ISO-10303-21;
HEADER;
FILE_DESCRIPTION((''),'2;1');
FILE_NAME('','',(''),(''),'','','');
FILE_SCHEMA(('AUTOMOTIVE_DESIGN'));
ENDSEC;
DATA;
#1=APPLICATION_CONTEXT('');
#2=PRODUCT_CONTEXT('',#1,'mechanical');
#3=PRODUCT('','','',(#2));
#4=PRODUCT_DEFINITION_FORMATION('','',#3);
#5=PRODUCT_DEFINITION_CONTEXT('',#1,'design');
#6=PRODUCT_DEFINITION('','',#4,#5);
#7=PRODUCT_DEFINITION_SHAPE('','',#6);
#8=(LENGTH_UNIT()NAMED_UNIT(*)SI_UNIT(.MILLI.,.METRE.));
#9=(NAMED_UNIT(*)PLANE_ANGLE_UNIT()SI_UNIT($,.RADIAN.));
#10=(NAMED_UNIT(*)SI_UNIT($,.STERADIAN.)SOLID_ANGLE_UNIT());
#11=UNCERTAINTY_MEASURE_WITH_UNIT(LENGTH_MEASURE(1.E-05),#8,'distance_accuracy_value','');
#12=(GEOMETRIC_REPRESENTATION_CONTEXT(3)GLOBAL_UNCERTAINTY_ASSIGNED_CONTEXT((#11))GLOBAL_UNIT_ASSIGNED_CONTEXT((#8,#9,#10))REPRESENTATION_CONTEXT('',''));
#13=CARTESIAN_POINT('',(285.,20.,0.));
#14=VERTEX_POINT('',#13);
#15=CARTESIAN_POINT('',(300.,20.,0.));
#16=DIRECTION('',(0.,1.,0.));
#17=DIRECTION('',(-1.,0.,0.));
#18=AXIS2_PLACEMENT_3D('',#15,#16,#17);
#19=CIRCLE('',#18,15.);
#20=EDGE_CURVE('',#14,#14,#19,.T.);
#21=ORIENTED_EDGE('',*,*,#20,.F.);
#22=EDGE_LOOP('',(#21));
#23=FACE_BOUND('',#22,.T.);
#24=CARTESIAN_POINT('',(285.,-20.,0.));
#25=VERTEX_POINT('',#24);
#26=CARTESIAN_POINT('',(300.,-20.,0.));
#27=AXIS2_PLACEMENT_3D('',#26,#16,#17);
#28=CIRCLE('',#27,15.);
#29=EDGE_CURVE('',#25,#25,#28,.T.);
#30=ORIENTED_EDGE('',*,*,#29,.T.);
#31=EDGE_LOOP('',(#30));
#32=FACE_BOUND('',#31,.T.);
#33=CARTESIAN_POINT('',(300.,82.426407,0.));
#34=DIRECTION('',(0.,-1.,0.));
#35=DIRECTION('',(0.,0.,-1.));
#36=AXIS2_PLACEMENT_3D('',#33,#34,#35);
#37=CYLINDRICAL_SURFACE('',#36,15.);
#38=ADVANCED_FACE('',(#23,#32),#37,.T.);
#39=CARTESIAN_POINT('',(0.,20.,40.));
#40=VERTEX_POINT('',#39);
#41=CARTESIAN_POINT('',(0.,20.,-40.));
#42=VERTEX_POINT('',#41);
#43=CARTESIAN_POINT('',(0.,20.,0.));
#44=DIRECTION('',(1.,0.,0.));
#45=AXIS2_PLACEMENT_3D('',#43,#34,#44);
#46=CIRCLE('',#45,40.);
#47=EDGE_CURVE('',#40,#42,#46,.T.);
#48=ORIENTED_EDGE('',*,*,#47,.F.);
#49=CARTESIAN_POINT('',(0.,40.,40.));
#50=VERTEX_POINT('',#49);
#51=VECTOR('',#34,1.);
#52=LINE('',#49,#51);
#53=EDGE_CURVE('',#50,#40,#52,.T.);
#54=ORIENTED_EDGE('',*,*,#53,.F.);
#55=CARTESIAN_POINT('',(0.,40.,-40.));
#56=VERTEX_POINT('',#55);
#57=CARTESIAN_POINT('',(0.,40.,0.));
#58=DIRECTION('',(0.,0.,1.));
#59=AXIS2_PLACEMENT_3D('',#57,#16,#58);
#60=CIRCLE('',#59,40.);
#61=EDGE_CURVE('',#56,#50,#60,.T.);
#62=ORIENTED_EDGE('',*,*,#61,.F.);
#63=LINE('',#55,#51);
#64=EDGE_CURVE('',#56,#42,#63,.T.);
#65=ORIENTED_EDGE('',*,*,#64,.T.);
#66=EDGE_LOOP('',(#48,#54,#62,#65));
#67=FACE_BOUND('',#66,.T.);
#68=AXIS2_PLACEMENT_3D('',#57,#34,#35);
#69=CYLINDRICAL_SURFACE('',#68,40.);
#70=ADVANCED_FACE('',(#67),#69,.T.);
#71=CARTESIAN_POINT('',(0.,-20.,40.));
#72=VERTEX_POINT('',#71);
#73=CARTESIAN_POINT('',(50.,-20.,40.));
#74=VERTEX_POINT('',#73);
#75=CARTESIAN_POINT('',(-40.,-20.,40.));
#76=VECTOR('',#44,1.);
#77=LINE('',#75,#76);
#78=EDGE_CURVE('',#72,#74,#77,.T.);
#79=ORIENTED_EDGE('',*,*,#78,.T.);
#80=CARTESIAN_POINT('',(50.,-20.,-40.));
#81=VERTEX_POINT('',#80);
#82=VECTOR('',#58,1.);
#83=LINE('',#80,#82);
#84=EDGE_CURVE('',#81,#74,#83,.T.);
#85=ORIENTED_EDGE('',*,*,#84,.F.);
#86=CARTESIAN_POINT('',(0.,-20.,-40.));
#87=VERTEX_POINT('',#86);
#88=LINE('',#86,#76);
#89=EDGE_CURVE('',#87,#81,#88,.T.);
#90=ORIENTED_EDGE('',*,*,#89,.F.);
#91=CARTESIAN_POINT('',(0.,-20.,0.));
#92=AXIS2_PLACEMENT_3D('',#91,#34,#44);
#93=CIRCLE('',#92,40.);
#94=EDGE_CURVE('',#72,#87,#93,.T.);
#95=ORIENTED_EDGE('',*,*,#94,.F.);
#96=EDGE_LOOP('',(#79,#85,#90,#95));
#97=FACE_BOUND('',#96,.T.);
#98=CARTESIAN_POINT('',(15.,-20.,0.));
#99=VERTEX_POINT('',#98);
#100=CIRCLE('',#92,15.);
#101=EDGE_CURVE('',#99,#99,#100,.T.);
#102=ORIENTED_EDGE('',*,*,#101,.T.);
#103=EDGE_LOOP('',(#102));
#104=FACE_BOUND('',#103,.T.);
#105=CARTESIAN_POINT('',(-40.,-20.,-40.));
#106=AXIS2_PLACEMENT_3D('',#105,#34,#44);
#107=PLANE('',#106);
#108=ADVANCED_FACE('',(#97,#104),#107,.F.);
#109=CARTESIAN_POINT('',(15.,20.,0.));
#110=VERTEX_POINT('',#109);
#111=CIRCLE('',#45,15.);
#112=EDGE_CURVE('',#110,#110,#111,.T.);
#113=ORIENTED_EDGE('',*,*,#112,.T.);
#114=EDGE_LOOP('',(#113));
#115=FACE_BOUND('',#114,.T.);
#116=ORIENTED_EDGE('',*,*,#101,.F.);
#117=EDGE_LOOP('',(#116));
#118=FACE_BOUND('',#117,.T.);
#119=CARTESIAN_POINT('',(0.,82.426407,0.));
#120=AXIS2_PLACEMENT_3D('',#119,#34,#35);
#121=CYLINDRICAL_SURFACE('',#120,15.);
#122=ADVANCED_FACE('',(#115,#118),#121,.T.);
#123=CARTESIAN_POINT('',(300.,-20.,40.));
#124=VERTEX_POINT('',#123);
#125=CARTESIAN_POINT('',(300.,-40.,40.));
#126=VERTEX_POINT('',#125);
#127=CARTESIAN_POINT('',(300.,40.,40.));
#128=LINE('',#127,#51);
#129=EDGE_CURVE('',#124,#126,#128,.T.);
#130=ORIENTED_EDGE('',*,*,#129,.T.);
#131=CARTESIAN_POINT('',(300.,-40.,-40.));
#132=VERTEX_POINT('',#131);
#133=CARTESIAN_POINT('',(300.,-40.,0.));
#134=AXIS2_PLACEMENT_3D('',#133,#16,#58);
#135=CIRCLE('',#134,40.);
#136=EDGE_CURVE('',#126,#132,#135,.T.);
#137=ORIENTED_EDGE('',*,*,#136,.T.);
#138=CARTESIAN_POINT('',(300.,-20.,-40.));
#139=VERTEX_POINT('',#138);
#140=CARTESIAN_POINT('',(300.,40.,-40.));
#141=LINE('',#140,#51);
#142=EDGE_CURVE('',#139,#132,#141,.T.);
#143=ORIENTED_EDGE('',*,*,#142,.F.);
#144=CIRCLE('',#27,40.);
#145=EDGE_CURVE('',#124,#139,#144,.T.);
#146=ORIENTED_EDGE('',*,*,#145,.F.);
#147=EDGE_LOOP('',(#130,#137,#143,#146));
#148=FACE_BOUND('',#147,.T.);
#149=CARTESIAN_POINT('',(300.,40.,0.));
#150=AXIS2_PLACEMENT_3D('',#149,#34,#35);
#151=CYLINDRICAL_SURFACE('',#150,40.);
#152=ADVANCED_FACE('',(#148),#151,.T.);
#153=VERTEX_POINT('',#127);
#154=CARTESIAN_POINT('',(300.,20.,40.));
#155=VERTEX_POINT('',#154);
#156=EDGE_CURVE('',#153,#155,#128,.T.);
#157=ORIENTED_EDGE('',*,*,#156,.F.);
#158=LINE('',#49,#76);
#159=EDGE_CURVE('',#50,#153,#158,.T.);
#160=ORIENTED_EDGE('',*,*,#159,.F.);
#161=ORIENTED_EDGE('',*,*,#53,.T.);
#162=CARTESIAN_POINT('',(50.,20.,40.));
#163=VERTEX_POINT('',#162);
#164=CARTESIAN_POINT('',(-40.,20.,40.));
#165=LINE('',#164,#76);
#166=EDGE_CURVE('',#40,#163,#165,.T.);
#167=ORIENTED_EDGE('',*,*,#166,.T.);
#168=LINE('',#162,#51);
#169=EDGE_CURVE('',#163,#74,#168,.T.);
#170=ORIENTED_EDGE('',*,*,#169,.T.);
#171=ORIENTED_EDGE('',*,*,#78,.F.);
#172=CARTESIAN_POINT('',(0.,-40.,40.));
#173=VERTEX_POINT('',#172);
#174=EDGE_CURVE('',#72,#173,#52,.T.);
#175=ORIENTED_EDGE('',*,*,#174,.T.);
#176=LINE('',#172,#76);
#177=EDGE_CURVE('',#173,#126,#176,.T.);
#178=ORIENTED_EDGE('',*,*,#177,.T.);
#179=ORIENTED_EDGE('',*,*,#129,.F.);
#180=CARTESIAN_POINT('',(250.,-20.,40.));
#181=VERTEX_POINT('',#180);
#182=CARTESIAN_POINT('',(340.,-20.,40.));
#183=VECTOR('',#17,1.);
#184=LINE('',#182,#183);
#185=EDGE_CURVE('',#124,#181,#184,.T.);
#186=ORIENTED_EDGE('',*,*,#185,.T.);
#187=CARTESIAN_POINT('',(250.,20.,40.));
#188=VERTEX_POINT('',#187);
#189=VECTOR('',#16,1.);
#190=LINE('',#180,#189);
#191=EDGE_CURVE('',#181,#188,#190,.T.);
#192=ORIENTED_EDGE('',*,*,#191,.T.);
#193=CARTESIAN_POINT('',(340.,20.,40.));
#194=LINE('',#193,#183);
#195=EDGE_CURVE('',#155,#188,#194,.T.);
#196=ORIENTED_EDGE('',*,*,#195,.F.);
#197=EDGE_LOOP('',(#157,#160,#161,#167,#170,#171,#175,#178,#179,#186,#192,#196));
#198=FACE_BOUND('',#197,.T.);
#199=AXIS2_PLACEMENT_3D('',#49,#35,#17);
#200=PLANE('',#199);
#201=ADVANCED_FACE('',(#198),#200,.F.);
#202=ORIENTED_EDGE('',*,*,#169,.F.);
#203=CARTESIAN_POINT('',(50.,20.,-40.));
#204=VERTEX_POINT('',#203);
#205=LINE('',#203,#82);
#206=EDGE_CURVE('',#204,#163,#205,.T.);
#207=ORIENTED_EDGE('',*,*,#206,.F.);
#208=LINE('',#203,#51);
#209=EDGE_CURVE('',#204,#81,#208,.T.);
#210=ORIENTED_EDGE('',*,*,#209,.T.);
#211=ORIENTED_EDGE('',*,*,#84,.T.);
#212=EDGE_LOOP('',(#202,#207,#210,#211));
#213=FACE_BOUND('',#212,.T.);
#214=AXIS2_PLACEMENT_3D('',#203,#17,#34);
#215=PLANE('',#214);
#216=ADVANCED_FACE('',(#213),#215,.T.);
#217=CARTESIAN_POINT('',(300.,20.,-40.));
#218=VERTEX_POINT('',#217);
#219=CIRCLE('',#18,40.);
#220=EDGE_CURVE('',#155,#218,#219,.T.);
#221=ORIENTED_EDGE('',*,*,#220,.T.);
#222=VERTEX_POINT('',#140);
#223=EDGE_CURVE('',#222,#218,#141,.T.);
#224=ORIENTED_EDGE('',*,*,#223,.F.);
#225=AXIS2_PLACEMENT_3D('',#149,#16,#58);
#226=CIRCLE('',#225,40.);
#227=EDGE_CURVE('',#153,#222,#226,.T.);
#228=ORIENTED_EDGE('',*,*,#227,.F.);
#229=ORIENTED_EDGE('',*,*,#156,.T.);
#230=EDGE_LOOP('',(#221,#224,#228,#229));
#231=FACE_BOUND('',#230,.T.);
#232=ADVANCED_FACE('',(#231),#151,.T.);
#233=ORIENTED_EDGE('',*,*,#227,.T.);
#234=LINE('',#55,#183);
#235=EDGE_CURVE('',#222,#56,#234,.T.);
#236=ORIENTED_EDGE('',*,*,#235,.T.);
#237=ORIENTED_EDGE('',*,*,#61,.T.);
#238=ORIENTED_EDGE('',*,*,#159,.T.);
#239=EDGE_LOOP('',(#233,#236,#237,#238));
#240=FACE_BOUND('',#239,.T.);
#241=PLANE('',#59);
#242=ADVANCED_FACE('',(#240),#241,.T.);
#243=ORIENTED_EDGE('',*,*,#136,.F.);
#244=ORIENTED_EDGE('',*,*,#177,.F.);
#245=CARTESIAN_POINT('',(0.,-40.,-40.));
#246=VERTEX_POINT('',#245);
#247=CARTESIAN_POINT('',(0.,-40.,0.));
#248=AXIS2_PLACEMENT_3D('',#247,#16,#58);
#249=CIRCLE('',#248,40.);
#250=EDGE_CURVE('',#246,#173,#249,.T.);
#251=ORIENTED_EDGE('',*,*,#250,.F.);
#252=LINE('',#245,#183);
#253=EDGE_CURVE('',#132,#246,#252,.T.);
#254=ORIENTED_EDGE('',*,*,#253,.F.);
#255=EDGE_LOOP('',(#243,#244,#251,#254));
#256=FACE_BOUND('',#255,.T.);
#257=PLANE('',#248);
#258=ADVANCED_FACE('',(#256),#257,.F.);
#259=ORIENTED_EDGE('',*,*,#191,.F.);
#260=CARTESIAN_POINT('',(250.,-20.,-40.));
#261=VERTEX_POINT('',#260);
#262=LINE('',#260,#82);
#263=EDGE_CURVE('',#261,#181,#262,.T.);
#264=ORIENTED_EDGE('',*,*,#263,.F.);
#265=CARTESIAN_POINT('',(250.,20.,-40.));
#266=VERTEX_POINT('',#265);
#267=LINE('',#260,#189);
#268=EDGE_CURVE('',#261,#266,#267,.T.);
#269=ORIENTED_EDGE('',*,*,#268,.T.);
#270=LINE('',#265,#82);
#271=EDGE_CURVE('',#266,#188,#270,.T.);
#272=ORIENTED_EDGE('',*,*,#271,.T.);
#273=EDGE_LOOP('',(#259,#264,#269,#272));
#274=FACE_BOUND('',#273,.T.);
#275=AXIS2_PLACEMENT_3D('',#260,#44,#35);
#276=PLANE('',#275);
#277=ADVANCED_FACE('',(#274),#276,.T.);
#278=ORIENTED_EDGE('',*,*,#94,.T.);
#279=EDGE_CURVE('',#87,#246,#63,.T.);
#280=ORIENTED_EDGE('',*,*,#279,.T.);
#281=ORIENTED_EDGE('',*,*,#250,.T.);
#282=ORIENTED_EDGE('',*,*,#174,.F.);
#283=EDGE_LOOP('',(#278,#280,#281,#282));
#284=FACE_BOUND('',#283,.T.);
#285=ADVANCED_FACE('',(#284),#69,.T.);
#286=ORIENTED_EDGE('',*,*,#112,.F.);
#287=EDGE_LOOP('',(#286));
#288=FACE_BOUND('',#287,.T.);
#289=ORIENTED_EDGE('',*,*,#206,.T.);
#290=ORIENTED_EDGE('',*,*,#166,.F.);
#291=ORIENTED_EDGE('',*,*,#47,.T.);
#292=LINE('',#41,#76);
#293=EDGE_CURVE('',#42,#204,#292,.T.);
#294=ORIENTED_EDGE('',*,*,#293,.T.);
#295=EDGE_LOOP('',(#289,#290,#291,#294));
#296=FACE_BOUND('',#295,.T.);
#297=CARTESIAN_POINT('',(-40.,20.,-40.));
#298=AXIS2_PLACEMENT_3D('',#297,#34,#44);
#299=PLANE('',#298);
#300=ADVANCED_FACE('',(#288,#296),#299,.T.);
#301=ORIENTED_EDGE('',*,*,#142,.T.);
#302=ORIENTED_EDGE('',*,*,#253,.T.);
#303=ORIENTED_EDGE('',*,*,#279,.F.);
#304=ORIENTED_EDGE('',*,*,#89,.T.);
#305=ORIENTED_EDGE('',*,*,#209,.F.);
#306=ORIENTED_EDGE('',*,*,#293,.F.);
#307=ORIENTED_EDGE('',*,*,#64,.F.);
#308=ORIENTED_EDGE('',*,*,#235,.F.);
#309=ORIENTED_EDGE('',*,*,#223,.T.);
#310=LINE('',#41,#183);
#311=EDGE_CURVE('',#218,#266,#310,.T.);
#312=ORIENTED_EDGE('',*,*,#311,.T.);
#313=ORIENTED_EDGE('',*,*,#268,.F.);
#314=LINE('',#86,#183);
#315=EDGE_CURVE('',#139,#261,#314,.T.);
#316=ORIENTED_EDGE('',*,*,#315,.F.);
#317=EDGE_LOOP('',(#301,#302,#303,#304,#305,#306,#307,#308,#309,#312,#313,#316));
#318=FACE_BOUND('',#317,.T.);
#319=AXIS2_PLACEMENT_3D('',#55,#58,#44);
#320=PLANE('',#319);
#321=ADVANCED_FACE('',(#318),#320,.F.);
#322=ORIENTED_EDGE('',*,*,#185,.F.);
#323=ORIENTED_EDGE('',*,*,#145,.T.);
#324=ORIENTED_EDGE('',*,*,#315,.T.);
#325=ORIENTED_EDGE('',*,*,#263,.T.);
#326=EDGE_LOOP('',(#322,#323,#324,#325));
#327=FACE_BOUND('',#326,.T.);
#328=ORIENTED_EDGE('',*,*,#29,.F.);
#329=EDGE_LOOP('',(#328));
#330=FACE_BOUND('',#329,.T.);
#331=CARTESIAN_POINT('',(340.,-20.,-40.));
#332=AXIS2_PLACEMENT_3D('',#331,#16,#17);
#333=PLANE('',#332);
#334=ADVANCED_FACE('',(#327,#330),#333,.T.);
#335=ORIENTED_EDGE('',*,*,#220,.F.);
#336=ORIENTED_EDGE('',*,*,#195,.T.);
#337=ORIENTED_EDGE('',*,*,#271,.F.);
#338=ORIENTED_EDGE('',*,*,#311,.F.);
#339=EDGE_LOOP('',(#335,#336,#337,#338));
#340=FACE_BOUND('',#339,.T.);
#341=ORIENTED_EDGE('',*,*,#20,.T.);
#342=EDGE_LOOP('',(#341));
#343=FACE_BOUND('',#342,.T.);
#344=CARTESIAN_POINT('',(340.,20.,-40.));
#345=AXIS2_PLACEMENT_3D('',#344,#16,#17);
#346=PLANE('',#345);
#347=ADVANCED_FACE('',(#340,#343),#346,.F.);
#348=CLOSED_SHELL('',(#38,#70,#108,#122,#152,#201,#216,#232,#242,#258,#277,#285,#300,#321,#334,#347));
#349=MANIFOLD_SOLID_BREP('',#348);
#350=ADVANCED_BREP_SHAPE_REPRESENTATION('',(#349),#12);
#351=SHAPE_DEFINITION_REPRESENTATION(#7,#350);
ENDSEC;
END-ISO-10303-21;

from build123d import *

# Parameters (mm, degrees)
BOSS_EXTRUDE1_DEPTH     = 40
SKETCH3_W               = 90
SKETCH3_H               = 40
CUT_EXTRUDE_THIN1_DEPTH = 80
SKETCH4_R               = 15
BOSS_EXTRUDE2_DEPTH     = 80


with BuildPart() as part:
    # Sketch2 → Boss-Extrude1 (new, symmetric)
    with BuildSketch(Plane(origin=(0, 0, 0), x_dir=(1, 0, 0), z_dir=(0, 1, 0))):
        with BuildLine():
            Line((0, 40), (300, 40))
            ThreePointArc((300, 40), (340, 0), (300, -40))
            Line((300, -40), (0, -40))
            ThreePointArc((0, -40), (-40, 0), (0, 40))
        make_face()
    extrude(amount=BOSS_EXTRUDE1_DEPTH, both=True)

    # Sketch3 → Cut-Extrude-Thin1 (cut)
    with BuildSketch(Plane.XY.offset(40)):
        with Locations((5, 0)):
            Rectangle(SKETCH3_W, SKETCH3_H)
        with Locations((295, 0)):
            Rectangle(SKETCH3_W, SKETCH3_H)
    extrude(amount=-CUT_EXTRUDE_THIN1_DEPTH, mode=Mode.SUBTRACT)

    # Sketch4 → Boss-Extrude2 (add)
    with BuildSketch(Plane.XZ.offset(40)):
        Circle(SKETCH4_R)
        with Locations(Location((300, 0, 0), (0, 0, 180))):
            Circle(SKETCH4_R)
    extrude(amount=-BOSS_EXTRUDE2_DEPTH)


solid = part.part
